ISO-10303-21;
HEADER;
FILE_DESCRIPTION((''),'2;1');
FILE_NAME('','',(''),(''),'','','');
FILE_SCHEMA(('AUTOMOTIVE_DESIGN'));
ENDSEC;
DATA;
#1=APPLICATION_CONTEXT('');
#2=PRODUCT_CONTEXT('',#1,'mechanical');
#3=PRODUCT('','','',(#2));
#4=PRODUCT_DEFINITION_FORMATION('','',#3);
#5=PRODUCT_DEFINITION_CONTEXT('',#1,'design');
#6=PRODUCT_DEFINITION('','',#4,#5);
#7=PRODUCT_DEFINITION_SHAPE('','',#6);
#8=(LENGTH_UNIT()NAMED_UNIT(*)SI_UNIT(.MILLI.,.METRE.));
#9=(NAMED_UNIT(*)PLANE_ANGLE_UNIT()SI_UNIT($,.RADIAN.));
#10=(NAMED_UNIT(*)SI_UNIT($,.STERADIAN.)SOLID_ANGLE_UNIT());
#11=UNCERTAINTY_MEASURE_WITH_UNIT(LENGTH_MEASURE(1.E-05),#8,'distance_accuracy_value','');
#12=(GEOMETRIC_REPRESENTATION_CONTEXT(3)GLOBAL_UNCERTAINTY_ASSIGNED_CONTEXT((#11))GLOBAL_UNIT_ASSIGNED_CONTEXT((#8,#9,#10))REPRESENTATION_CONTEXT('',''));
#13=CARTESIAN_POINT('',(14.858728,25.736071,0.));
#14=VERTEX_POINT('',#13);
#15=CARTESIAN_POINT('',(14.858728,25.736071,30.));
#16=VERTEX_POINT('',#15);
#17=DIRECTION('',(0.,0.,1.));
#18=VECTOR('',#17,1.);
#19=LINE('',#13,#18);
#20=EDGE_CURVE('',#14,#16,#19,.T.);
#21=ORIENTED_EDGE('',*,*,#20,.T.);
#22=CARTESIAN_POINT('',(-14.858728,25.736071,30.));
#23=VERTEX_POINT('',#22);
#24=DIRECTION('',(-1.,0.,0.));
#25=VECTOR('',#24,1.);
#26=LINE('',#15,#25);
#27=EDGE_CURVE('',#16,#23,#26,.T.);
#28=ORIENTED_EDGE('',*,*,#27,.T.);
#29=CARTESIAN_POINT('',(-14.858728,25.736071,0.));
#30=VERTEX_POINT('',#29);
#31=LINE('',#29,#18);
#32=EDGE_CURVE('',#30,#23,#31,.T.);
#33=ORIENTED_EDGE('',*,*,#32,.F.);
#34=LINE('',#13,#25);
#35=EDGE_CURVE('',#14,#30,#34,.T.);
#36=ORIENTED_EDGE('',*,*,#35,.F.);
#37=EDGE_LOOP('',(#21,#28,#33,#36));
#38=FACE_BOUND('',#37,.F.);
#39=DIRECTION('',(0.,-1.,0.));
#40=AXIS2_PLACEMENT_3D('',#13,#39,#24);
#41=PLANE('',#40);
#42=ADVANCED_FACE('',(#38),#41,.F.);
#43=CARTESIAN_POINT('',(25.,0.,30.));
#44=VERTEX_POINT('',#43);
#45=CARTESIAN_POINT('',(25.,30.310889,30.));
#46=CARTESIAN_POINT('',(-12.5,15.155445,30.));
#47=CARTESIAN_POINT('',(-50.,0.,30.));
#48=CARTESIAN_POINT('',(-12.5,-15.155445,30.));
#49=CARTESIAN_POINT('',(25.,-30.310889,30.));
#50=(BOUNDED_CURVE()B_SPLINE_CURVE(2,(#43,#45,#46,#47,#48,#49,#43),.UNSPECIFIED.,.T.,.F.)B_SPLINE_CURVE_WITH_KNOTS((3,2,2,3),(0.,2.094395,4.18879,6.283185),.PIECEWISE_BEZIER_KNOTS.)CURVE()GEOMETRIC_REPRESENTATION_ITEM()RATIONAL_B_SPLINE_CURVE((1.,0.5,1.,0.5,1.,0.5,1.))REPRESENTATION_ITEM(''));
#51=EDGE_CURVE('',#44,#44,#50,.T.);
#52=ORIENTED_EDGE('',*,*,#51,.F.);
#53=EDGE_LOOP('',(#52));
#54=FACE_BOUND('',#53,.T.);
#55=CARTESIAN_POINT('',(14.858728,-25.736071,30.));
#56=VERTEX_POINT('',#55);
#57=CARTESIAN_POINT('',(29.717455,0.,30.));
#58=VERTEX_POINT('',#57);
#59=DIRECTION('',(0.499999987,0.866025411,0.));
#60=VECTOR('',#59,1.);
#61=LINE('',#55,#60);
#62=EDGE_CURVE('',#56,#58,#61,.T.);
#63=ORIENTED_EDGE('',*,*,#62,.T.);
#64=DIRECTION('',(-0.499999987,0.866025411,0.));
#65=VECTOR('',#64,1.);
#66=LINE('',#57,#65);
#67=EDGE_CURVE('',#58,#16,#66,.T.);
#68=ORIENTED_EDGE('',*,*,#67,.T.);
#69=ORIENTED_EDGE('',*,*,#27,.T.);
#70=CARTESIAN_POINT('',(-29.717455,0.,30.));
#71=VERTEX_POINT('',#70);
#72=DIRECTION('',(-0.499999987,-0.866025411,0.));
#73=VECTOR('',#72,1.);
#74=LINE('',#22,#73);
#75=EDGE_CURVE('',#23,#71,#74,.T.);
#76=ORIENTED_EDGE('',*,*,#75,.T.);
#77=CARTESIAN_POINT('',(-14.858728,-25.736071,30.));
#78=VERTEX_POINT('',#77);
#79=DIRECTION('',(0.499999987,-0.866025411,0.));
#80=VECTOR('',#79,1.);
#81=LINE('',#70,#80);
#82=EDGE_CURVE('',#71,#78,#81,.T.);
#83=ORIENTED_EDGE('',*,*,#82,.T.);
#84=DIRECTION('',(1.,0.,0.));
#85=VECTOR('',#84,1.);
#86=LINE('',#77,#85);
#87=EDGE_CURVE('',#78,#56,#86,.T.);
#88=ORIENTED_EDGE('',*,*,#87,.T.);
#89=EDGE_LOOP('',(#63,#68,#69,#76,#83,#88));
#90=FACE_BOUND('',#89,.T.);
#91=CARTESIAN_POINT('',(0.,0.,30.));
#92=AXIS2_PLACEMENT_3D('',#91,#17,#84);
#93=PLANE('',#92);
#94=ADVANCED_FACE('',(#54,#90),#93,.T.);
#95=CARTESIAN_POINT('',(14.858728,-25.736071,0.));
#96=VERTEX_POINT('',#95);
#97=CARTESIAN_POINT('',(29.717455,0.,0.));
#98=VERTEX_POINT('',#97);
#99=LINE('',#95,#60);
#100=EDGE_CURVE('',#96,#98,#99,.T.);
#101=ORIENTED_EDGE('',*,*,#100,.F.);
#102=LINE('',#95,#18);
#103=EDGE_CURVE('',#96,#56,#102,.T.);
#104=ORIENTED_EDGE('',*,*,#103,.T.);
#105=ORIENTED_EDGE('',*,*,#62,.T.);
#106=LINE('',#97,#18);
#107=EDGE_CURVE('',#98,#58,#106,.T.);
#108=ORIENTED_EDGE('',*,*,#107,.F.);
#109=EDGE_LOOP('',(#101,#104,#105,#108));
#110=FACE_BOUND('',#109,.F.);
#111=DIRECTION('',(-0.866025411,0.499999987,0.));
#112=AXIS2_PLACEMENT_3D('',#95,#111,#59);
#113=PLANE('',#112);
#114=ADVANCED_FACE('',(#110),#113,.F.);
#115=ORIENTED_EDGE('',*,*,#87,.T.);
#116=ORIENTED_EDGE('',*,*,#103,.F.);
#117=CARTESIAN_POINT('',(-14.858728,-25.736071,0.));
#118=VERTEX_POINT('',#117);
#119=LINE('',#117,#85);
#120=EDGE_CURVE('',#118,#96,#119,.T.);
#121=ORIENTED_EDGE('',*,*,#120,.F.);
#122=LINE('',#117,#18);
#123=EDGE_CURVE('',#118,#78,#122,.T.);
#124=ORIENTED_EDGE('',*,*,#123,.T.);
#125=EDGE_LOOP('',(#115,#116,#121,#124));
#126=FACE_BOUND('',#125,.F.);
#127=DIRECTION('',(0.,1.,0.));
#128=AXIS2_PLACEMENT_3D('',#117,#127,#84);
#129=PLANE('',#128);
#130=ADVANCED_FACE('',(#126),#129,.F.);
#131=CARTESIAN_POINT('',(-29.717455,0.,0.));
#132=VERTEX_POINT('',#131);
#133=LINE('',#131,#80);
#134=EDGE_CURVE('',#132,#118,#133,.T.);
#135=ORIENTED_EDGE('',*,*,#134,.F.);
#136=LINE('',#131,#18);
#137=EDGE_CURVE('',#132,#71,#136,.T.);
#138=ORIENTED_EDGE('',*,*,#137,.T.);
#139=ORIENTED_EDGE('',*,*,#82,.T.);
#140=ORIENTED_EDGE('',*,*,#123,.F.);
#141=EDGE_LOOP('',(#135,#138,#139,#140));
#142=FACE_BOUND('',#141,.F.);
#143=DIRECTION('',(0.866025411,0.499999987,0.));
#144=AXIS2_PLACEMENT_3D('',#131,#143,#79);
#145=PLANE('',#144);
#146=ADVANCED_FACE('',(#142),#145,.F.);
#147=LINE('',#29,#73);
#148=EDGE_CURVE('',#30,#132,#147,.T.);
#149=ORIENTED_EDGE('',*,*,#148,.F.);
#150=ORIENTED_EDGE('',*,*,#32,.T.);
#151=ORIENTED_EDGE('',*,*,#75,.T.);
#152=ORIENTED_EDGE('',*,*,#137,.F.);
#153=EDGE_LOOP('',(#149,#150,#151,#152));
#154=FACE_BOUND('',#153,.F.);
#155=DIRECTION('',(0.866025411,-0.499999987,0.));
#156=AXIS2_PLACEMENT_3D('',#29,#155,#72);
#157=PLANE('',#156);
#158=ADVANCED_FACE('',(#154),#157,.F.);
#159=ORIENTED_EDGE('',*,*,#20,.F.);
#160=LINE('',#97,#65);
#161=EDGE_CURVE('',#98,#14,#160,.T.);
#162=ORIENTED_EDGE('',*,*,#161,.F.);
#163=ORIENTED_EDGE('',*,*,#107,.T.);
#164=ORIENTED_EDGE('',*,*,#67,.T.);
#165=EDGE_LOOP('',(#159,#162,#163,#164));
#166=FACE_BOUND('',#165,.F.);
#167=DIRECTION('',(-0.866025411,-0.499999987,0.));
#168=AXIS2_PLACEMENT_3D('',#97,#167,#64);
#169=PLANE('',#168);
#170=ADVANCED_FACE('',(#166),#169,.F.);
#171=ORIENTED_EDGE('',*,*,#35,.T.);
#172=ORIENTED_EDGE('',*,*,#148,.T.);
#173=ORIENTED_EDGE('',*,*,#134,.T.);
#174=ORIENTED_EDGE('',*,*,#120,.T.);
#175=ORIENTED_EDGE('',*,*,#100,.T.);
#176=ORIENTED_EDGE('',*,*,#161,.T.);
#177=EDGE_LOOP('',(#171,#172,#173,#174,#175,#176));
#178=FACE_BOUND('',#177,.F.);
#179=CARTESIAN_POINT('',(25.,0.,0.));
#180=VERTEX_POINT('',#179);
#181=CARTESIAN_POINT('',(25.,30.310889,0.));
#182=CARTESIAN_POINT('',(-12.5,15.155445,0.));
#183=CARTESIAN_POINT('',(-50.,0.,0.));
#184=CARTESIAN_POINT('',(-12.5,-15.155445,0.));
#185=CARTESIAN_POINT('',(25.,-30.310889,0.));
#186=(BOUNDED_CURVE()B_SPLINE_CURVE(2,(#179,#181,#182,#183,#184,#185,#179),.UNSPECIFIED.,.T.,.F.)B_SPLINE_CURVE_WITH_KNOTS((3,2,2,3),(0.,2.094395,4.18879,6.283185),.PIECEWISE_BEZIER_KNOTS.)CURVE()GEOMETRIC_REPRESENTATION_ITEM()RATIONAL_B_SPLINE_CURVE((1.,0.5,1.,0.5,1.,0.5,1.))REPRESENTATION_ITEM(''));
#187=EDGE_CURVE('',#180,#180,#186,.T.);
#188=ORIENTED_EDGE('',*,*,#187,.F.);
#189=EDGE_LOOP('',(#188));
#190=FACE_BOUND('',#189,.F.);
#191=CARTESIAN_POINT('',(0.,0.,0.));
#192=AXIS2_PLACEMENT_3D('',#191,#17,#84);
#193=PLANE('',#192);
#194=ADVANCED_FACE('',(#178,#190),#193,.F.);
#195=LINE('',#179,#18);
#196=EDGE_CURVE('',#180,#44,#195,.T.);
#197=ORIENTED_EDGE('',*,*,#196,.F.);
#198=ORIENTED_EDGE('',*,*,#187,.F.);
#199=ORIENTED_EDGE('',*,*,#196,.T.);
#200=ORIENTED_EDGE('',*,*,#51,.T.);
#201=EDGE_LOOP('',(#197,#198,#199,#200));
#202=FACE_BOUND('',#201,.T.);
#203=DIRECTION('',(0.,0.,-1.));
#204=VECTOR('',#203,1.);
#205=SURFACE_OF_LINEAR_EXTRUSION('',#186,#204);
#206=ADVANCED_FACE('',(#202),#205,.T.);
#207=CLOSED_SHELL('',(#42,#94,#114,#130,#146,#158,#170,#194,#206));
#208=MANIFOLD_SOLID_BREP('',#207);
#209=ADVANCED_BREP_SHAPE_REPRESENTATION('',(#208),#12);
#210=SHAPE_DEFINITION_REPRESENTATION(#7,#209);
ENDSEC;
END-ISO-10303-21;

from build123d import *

# Parameters (mm, degrees)
F1_DEPTH = 30


with BuildPart() as f1:
    # F0 (on Top) → F1 (new body)
    with BuildSketch(Plane.XY):
        Polygon((14.858728, 25.736071), (-14.858728, 25.736071), (-29.717455, 0), (-14.858728, -25.736071), (14.858728, -25.736071), (29.717455, 0), align=None)
        with BuildLine():
            add(Edge.make_bspline(
                [(25, 0), (25, 30.310889), (-12.5, 15.155445), (-50, 0), (-12.5, -15.155445), (25, -30.310889), (25, 0)],
                knots=[0, 0, 0, 2.094395, 2.094395, 4.18879, 4.18879, 6.283185, 6.283185, 6.283185], degree=2, weights=[1, 0.5, 1, 0.5, 1, 0.5, 1]))
        make_face(mode=Mode.SUBTRACT)
    extrude(amount=F1_DEPTH)


solid = f1.part
